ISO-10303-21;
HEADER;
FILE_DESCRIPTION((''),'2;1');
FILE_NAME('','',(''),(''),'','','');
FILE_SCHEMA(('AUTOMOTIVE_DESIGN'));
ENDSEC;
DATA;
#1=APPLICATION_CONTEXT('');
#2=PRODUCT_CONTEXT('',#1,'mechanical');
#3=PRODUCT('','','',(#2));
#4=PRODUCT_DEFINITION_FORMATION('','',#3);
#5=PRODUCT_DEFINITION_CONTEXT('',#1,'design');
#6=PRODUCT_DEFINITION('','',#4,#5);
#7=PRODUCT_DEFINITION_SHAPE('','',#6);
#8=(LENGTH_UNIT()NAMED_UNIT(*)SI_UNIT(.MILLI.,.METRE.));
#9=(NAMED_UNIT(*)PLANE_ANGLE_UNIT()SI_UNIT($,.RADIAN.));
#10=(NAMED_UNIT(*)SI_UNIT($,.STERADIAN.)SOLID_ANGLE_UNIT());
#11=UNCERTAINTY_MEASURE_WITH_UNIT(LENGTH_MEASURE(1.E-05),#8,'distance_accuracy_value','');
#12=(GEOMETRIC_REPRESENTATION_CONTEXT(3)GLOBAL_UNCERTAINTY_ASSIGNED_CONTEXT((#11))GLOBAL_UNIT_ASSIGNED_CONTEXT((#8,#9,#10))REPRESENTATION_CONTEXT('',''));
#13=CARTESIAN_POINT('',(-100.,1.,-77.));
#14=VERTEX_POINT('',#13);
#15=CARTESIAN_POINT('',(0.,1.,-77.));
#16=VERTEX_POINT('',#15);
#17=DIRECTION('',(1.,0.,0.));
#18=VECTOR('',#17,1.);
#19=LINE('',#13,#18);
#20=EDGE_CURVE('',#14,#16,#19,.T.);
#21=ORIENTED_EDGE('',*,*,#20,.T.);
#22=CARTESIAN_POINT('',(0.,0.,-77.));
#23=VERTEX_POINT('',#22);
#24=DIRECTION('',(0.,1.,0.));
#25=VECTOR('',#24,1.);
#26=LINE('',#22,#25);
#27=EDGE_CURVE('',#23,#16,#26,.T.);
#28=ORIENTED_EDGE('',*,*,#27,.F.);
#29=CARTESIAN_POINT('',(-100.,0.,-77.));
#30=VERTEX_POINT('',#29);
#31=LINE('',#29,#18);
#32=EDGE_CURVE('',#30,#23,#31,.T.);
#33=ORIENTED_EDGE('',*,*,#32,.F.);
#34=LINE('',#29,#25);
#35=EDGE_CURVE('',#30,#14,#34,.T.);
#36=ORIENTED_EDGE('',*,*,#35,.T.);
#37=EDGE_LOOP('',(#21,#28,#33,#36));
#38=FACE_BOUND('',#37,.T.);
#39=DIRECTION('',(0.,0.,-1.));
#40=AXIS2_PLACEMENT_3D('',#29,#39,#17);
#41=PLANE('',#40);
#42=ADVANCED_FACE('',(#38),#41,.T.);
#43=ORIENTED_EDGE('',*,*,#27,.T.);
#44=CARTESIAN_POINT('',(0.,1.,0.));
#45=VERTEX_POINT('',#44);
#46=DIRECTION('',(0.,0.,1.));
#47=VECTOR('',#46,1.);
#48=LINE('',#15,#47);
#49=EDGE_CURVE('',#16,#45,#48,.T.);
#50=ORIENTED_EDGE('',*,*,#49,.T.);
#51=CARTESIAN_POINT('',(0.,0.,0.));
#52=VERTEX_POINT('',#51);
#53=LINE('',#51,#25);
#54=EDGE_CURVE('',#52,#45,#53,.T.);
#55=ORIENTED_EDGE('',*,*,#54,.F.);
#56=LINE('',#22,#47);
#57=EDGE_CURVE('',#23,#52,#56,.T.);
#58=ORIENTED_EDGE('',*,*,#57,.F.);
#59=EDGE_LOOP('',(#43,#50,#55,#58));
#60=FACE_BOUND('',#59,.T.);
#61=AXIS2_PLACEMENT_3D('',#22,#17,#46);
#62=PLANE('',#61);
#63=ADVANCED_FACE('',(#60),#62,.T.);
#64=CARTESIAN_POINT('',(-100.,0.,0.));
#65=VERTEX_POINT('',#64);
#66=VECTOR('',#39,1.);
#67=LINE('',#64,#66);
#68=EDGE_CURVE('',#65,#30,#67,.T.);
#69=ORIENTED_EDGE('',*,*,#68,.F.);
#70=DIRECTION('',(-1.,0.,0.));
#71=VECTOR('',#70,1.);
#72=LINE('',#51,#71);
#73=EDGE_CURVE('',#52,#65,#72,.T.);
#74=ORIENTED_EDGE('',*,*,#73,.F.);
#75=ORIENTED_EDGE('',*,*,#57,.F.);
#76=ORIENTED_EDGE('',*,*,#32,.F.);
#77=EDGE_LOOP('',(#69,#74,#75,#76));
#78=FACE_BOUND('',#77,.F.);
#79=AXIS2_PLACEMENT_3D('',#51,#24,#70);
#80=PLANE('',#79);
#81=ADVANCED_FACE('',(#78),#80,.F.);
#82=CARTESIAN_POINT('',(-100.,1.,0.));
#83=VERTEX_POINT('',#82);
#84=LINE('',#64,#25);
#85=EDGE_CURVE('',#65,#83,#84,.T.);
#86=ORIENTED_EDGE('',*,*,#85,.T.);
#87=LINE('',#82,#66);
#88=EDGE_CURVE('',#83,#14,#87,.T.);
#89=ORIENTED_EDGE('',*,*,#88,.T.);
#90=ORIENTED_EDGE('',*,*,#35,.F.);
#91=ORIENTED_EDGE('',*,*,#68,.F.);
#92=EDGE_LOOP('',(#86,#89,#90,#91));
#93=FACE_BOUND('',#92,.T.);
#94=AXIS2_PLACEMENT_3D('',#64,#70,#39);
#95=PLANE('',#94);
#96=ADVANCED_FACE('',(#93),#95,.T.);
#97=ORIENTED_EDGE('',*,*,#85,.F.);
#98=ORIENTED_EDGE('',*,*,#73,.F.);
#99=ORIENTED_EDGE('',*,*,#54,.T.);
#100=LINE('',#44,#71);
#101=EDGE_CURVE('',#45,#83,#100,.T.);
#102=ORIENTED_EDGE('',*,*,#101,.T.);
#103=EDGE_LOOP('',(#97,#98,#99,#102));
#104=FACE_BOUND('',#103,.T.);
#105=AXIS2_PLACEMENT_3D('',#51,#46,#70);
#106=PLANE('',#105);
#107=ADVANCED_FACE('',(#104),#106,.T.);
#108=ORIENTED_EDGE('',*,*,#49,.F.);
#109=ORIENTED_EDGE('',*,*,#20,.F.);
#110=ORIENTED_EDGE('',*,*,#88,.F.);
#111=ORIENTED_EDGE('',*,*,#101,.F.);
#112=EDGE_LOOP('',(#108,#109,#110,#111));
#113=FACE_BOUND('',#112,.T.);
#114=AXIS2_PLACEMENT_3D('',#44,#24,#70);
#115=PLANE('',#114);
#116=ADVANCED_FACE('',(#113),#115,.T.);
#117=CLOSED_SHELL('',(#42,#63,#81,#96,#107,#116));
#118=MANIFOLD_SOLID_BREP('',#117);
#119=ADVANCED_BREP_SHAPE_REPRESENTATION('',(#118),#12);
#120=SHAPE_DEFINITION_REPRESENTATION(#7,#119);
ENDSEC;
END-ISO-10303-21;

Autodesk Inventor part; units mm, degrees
ref_plane "YZ Plane" through (0, 0, 0) normal (1, 0, 0) x (0, 1, 0)
ref_plane "XZ Plane" through (0, 0, 0) normal (0, 1, 0) x (-1, 0, 0)
ref_plane "XY Plane" through (0, 0, 0) normal (0, 0, 1) x (1, 0, 0)
sketch "Sketch1" plane through (0, 0, 0) normal (0, 1, 0) x (-1, 0, 0)
  line L0 (0, 0) -> (100, 0)
  line L1 (100, 0) -> (100, -77)
  line L2 (100, -77) -> (0, -77)
  line L3 (0, -77) -> (0, 0)
  dimension "d0" = 100
  dimension "d1" = 77
extrude "Extrusion1" add sketch "Sketch1" along normal blind 1
properties part number "PetriFilm_WaxCover" material "Glass"
